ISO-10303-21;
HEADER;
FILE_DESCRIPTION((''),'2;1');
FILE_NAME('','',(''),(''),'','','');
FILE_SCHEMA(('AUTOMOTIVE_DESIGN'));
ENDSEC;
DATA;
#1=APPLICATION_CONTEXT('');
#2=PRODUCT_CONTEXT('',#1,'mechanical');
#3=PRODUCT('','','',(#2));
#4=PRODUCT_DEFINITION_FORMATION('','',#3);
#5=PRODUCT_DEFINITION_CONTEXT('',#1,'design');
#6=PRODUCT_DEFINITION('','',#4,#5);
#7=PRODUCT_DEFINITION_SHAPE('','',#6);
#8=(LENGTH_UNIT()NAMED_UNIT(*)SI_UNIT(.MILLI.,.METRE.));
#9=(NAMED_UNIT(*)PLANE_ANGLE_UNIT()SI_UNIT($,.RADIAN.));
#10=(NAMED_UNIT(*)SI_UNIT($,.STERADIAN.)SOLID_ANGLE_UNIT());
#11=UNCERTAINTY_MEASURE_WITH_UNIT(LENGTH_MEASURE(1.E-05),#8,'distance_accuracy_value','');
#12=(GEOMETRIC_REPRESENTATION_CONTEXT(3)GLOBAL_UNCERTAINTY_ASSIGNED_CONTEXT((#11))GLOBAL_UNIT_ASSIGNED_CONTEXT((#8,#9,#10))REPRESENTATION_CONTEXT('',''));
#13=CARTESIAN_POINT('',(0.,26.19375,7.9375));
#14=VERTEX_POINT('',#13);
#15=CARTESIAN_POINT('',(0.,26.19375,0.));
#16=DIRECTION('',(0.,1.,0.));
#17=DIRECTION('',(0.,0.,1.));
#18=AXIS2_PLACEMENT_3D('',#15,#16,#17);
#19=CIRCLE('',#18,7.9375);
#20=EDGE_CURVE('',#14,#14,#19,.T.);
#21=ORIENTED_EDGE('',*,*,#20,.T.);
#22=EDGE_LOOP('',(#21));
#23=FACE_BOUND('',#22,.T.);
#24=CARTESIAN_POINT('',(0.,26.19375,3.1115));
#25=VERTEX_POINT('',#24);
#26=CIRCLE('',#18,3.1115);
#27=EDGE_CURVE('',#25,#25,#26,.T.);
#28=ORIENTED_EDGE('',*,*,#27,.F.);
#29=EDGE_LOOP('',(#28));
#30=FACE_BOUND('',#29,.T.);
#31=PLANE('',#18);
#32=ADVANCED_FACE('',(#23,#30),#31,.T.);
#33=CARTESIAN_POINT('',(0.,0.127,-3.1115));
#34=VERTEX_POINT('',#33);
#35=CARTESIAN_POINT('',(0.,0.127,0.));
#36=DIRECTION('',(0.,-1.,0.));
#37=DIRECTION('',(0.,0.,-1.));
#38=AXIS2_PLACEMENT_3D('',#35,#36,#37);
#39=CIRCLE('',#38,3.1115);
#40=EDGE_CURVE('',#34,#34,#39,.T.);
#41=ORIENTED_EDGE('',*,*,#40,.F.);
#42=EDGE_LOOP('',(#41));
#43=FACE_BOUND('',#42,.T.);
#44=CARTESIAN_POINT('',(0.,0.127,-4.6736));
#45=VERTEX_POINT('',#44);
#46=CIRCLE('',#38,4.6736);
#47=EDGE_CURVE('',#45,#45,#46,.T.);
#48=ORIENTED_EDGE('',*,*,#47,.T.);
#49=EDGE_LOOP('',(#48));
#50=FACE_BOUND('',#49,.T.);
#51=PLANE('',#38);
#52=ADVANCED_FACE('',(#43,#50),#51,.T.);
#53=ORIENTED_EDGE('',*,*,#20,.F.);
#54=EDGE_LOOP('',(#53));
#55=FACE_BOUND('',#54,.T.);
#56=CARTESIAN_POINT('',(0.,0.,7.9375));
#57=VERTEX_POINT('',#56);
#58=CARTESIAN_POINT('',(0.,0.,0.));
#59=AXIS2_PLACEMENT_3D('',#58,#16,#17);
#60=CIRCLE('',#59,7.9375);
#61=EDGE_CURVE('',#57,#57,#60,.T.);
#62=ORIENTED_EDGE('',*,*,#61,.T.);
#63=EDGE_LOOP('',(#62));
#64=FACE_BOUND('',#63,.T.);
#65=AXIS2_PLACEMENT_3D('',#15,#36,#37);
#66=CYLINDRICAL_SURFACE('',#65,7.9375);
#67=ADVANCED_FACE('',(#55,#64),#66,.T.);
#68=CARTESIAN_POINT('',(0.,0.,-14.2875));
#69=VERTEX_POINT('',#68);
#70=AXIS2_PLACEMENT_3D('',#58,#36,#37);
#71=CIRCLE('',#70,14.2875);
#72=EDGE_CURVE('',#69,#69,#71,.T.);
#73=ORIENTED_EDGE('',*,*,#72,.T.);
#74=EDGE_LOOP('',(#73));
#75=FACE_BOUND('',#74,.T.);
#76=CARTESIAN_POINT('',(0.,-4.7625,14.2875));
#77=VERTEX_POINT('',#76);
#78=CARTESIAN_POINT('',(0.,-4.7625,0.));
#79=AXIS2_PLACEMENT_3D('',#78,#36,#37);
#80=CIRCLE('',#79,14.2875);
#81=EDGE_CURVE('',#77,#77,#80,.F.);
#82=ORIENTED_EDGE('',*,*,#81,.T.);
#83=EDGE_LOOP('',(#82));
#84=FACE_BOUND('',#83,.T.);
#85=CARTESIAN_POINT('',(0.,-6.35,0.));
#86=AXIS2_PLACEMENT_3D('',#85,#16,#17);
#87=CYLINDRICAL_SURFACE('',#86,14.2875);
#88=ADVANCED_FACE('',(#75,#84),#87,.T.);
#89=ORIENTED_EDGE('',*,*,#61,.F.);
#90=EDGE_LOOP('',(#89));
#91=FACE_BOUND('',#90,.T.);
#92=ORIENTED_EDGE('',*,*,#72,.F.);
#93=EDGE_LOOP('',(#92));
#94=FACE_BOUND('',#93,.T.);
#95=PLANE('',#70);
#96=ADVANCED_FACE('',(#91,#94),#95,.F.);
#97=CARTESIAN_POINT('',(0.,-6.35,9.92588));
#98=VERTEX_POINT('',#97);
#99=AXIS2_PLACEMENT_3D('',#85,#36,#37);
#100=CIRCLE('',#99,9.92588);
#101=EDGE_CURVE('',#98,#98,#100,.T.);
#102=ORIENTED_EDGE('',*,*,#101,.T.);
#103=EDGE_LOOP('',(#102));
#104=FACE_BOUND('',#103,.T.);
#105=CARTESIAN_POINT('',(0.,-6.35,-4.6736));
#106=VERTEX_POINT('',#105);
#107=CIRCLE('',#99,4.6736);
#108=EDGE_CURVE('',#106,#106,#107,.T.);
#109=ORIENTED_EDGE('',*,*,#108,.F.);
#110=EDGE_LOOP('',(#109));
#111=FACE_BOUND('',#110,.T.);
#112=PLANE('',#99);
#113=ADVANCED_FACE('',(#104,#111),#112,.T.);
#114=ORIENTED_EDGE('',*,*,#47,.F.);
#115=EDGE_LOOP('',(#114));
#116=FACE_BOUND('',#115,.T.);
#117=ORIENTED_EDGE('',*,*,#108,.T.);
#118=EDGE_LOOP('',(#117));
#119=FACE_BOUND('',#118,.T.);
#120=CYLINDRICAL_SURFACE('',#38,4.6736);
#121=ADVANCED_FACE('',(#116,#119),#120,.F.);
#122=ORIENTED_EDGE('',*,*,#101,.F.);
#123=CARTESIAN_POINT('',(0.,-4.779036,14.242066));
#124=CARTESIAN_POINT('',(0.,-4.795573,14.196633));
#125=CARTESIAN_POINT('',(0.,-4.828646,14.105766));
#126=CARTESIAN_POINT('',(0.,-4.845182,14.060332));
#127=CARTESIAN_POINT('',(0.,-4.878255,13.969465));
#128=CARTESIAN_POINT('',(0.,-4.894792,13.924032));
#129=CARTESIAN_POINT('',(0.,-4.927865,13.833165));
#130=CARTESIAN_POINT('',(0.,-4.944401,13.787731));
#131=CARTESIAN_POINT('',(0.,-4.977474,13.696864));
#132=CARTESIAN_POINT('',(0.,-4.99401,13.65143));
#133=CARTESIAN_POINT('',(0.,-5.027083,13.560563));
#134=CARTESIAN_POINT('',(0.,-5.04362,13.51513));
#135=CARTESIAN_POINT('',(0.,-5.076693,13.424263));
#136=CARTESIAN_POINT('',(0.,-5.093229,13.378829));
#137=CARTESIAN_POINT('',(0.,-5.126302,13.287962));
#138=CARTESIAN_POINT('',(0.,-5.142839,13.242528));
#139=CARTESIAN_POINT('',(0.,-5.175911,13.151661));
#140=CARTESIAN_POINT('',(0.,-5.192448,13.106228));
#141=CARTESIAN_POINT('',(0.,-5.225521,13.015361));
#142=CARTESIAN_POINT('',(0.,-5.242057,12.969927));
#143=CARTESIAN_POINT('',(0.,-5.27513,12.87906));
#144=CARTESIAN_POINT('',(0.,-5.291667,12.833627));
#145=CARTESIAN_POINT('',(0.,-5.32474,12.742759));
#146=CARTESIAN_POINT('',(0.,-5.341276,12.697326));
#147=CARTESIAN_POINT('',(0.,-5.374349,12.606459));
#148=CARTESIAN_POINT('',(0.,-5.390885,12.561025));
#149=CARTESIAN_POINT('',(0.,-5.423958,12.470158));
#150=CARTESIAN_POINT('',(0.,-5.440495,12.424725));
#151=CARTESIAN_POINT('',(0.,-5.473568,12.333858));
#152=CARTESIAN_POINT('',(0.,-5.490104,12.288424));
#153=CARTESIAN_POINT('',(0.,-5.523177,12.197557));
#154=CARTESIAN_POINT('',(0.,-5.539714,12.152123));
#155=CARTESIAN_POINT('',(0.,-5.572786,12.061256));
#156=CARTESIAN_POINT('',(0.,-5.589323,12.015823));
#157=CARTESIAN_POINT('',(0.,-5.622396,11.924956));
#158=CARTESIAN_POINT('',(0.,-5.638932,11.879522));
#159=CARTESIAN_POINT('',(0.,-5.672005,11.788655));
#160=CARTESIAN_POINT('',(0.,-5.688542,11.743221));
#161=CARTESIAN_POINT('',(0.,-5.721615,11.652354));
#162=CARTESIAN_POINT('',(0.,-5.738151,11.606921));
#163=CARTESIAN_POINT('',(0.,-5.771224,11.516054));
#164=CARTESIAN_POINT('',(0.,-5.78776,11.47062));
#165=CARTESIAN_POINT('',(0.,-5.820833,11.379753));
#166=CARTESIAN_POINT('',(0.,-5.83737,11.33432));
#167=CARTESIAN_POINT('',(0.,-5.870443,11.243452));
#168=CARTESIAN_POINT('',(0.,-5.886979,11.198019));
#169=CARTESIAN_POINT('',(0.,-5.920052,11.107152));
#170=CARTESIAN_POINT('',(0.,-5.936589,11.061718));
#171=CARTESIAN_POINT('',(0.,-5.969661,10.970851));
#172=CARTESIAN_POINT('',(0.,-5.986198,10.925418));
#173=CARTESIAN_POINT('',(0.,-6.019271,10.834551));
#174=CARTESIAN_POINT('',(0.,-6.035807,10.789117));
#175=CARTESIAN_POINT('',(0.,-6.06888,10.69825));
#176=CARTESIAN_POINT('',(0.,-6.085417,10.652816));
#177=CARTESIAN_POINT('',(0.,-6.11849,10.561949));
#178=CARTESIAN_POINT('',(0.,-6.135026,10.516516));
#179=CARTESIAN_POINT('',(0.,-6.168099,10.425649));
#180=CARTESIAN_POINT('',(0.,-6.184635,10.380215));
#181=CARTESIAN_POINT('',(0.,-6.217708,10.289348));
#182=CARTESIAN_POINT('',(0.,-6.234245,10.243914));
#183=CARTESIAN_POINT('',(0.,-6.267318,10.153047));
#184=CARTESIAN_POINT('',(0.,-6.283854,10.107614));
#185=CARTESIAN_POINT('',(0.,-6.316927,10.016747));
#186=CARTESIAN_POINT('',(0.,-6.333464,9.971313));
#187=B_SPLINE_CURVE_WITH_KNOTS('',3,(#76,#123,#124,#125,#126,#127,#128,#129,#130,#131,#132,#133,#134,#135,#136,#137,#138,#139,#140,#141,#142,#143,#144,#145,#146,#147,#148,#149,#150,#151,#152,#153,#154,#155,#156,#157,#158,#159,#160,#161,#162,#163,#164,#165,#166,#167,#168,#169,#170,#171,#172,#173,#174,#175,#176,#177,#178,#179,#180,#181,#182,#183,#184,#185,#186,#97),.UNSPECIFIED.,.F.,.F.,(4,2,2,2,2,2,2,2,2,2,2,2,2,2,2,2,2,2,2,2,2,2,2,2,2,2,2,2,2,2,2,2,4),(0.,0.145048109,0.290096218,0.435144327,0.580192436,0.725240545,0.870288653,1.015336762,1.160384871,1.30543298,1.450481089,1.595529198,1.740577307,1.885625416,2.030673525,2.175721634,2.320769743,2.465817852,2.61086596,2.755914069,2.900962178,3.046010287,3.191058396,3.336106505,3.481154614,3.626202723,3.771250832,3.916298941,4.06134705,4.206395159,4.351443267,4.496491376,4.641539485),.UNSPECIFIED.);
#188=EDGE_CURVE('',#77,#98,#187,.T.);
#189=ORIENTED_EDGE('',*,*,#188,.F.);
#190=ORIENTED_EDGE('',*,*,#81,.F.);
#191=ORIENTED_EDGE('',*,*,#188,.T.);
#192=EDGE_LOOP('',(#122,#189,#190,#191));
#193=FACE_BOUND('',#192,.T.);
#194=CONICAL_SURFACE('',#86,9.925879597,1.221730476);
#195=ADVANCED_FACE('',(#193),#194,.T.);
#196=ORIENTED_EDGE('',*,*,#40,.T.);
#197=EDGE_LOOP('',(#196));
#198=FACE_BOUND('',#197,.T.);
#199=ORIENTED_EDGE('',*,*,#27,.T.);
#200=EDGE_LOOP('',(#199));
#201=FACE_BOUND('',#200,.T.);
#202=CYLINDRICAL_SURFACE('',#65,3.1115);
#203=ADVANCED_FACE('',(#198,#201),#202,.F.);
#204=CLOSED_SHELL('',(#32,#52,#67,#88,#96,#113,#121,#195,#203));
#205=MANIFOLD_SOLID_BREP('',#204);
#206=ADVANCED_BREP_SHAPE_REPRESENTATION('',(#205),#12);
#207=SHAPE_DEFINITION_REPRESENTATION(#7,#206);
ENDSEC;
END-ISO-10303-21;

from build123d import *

# Parameters (mm, degrees)
SKETCH1_R           = 7.9375
SKETCH1_R_2         = 3.1115
BOSS_EXTRUDE1_DEPTH = 26.19375
SKETCH2_R           = 14.2875
BOSS_EXTRUDE2_DEPTH = 6.35
CHAMFER1_SIZE       = 1.5875
CHAMFER1_SIZE2      = 4.361620403
SKETCH3_R           = 4.6736
CUT_EXTRUDE1_DEPTH  = 6.477


with BuildPart() as part:
    # Sketch1 → Boss-Extrude1 (new body)
    with BuildSketch(Plane(origin=(0, 0, 0), x_dir=(1, 0, 0), z_dir=(0, 1, 0))):
        with Locations(Location((0, 0, 0), (0, 0, 270))):
            Circle(SKETCH1_R)
        with Locations(Location((0, 0, 0), (0, 0, 270))):
            Circle(SKETCH1_R_2, mode=Mode.SUBTRACT)
    extrude(amount=BOSS_EXTRUDE1_DEPTH)

    # Sketch2 → Boss-Extrude2 (add)
    with BuildSketch(Plane.XZ):
        with Locations(Location((0, 0, 0), (0, 0, 270))):
            Circle(SKETCH2_R)
    extrude(amount=BOSS_EXTRUDE2_DEPTH)

    # Chamfer1
    chamfer1_edges = [part.edges().sort_by_distance(p)[0] for p in [
        (0, -6.35, 14.2875),
    ]]
    chamfer1_side = [part.faces().sort_by_distance(p)[0] for p in [
        (0, -3.175, 14.2875),
    ]]
    chamfer(chamfer1_edges, length=CHAMFER1_SIZE, length2=CHAMFER1_SIZE2, reference=chamfer1_side[0])

    # Sketch3 → Cut-Extrude1 (cut)
    with BuildSketch(Plane.XZ.offset(6.35)):
        with Locations(Location((0, 0, 0), (0, 0, 270))):
            Circle(SKETCH3_R)
    extrude(amount=-CUT_EXTRUDE1_DEPTH, mode=Mode.SUBTRACT)


solid = part.part
